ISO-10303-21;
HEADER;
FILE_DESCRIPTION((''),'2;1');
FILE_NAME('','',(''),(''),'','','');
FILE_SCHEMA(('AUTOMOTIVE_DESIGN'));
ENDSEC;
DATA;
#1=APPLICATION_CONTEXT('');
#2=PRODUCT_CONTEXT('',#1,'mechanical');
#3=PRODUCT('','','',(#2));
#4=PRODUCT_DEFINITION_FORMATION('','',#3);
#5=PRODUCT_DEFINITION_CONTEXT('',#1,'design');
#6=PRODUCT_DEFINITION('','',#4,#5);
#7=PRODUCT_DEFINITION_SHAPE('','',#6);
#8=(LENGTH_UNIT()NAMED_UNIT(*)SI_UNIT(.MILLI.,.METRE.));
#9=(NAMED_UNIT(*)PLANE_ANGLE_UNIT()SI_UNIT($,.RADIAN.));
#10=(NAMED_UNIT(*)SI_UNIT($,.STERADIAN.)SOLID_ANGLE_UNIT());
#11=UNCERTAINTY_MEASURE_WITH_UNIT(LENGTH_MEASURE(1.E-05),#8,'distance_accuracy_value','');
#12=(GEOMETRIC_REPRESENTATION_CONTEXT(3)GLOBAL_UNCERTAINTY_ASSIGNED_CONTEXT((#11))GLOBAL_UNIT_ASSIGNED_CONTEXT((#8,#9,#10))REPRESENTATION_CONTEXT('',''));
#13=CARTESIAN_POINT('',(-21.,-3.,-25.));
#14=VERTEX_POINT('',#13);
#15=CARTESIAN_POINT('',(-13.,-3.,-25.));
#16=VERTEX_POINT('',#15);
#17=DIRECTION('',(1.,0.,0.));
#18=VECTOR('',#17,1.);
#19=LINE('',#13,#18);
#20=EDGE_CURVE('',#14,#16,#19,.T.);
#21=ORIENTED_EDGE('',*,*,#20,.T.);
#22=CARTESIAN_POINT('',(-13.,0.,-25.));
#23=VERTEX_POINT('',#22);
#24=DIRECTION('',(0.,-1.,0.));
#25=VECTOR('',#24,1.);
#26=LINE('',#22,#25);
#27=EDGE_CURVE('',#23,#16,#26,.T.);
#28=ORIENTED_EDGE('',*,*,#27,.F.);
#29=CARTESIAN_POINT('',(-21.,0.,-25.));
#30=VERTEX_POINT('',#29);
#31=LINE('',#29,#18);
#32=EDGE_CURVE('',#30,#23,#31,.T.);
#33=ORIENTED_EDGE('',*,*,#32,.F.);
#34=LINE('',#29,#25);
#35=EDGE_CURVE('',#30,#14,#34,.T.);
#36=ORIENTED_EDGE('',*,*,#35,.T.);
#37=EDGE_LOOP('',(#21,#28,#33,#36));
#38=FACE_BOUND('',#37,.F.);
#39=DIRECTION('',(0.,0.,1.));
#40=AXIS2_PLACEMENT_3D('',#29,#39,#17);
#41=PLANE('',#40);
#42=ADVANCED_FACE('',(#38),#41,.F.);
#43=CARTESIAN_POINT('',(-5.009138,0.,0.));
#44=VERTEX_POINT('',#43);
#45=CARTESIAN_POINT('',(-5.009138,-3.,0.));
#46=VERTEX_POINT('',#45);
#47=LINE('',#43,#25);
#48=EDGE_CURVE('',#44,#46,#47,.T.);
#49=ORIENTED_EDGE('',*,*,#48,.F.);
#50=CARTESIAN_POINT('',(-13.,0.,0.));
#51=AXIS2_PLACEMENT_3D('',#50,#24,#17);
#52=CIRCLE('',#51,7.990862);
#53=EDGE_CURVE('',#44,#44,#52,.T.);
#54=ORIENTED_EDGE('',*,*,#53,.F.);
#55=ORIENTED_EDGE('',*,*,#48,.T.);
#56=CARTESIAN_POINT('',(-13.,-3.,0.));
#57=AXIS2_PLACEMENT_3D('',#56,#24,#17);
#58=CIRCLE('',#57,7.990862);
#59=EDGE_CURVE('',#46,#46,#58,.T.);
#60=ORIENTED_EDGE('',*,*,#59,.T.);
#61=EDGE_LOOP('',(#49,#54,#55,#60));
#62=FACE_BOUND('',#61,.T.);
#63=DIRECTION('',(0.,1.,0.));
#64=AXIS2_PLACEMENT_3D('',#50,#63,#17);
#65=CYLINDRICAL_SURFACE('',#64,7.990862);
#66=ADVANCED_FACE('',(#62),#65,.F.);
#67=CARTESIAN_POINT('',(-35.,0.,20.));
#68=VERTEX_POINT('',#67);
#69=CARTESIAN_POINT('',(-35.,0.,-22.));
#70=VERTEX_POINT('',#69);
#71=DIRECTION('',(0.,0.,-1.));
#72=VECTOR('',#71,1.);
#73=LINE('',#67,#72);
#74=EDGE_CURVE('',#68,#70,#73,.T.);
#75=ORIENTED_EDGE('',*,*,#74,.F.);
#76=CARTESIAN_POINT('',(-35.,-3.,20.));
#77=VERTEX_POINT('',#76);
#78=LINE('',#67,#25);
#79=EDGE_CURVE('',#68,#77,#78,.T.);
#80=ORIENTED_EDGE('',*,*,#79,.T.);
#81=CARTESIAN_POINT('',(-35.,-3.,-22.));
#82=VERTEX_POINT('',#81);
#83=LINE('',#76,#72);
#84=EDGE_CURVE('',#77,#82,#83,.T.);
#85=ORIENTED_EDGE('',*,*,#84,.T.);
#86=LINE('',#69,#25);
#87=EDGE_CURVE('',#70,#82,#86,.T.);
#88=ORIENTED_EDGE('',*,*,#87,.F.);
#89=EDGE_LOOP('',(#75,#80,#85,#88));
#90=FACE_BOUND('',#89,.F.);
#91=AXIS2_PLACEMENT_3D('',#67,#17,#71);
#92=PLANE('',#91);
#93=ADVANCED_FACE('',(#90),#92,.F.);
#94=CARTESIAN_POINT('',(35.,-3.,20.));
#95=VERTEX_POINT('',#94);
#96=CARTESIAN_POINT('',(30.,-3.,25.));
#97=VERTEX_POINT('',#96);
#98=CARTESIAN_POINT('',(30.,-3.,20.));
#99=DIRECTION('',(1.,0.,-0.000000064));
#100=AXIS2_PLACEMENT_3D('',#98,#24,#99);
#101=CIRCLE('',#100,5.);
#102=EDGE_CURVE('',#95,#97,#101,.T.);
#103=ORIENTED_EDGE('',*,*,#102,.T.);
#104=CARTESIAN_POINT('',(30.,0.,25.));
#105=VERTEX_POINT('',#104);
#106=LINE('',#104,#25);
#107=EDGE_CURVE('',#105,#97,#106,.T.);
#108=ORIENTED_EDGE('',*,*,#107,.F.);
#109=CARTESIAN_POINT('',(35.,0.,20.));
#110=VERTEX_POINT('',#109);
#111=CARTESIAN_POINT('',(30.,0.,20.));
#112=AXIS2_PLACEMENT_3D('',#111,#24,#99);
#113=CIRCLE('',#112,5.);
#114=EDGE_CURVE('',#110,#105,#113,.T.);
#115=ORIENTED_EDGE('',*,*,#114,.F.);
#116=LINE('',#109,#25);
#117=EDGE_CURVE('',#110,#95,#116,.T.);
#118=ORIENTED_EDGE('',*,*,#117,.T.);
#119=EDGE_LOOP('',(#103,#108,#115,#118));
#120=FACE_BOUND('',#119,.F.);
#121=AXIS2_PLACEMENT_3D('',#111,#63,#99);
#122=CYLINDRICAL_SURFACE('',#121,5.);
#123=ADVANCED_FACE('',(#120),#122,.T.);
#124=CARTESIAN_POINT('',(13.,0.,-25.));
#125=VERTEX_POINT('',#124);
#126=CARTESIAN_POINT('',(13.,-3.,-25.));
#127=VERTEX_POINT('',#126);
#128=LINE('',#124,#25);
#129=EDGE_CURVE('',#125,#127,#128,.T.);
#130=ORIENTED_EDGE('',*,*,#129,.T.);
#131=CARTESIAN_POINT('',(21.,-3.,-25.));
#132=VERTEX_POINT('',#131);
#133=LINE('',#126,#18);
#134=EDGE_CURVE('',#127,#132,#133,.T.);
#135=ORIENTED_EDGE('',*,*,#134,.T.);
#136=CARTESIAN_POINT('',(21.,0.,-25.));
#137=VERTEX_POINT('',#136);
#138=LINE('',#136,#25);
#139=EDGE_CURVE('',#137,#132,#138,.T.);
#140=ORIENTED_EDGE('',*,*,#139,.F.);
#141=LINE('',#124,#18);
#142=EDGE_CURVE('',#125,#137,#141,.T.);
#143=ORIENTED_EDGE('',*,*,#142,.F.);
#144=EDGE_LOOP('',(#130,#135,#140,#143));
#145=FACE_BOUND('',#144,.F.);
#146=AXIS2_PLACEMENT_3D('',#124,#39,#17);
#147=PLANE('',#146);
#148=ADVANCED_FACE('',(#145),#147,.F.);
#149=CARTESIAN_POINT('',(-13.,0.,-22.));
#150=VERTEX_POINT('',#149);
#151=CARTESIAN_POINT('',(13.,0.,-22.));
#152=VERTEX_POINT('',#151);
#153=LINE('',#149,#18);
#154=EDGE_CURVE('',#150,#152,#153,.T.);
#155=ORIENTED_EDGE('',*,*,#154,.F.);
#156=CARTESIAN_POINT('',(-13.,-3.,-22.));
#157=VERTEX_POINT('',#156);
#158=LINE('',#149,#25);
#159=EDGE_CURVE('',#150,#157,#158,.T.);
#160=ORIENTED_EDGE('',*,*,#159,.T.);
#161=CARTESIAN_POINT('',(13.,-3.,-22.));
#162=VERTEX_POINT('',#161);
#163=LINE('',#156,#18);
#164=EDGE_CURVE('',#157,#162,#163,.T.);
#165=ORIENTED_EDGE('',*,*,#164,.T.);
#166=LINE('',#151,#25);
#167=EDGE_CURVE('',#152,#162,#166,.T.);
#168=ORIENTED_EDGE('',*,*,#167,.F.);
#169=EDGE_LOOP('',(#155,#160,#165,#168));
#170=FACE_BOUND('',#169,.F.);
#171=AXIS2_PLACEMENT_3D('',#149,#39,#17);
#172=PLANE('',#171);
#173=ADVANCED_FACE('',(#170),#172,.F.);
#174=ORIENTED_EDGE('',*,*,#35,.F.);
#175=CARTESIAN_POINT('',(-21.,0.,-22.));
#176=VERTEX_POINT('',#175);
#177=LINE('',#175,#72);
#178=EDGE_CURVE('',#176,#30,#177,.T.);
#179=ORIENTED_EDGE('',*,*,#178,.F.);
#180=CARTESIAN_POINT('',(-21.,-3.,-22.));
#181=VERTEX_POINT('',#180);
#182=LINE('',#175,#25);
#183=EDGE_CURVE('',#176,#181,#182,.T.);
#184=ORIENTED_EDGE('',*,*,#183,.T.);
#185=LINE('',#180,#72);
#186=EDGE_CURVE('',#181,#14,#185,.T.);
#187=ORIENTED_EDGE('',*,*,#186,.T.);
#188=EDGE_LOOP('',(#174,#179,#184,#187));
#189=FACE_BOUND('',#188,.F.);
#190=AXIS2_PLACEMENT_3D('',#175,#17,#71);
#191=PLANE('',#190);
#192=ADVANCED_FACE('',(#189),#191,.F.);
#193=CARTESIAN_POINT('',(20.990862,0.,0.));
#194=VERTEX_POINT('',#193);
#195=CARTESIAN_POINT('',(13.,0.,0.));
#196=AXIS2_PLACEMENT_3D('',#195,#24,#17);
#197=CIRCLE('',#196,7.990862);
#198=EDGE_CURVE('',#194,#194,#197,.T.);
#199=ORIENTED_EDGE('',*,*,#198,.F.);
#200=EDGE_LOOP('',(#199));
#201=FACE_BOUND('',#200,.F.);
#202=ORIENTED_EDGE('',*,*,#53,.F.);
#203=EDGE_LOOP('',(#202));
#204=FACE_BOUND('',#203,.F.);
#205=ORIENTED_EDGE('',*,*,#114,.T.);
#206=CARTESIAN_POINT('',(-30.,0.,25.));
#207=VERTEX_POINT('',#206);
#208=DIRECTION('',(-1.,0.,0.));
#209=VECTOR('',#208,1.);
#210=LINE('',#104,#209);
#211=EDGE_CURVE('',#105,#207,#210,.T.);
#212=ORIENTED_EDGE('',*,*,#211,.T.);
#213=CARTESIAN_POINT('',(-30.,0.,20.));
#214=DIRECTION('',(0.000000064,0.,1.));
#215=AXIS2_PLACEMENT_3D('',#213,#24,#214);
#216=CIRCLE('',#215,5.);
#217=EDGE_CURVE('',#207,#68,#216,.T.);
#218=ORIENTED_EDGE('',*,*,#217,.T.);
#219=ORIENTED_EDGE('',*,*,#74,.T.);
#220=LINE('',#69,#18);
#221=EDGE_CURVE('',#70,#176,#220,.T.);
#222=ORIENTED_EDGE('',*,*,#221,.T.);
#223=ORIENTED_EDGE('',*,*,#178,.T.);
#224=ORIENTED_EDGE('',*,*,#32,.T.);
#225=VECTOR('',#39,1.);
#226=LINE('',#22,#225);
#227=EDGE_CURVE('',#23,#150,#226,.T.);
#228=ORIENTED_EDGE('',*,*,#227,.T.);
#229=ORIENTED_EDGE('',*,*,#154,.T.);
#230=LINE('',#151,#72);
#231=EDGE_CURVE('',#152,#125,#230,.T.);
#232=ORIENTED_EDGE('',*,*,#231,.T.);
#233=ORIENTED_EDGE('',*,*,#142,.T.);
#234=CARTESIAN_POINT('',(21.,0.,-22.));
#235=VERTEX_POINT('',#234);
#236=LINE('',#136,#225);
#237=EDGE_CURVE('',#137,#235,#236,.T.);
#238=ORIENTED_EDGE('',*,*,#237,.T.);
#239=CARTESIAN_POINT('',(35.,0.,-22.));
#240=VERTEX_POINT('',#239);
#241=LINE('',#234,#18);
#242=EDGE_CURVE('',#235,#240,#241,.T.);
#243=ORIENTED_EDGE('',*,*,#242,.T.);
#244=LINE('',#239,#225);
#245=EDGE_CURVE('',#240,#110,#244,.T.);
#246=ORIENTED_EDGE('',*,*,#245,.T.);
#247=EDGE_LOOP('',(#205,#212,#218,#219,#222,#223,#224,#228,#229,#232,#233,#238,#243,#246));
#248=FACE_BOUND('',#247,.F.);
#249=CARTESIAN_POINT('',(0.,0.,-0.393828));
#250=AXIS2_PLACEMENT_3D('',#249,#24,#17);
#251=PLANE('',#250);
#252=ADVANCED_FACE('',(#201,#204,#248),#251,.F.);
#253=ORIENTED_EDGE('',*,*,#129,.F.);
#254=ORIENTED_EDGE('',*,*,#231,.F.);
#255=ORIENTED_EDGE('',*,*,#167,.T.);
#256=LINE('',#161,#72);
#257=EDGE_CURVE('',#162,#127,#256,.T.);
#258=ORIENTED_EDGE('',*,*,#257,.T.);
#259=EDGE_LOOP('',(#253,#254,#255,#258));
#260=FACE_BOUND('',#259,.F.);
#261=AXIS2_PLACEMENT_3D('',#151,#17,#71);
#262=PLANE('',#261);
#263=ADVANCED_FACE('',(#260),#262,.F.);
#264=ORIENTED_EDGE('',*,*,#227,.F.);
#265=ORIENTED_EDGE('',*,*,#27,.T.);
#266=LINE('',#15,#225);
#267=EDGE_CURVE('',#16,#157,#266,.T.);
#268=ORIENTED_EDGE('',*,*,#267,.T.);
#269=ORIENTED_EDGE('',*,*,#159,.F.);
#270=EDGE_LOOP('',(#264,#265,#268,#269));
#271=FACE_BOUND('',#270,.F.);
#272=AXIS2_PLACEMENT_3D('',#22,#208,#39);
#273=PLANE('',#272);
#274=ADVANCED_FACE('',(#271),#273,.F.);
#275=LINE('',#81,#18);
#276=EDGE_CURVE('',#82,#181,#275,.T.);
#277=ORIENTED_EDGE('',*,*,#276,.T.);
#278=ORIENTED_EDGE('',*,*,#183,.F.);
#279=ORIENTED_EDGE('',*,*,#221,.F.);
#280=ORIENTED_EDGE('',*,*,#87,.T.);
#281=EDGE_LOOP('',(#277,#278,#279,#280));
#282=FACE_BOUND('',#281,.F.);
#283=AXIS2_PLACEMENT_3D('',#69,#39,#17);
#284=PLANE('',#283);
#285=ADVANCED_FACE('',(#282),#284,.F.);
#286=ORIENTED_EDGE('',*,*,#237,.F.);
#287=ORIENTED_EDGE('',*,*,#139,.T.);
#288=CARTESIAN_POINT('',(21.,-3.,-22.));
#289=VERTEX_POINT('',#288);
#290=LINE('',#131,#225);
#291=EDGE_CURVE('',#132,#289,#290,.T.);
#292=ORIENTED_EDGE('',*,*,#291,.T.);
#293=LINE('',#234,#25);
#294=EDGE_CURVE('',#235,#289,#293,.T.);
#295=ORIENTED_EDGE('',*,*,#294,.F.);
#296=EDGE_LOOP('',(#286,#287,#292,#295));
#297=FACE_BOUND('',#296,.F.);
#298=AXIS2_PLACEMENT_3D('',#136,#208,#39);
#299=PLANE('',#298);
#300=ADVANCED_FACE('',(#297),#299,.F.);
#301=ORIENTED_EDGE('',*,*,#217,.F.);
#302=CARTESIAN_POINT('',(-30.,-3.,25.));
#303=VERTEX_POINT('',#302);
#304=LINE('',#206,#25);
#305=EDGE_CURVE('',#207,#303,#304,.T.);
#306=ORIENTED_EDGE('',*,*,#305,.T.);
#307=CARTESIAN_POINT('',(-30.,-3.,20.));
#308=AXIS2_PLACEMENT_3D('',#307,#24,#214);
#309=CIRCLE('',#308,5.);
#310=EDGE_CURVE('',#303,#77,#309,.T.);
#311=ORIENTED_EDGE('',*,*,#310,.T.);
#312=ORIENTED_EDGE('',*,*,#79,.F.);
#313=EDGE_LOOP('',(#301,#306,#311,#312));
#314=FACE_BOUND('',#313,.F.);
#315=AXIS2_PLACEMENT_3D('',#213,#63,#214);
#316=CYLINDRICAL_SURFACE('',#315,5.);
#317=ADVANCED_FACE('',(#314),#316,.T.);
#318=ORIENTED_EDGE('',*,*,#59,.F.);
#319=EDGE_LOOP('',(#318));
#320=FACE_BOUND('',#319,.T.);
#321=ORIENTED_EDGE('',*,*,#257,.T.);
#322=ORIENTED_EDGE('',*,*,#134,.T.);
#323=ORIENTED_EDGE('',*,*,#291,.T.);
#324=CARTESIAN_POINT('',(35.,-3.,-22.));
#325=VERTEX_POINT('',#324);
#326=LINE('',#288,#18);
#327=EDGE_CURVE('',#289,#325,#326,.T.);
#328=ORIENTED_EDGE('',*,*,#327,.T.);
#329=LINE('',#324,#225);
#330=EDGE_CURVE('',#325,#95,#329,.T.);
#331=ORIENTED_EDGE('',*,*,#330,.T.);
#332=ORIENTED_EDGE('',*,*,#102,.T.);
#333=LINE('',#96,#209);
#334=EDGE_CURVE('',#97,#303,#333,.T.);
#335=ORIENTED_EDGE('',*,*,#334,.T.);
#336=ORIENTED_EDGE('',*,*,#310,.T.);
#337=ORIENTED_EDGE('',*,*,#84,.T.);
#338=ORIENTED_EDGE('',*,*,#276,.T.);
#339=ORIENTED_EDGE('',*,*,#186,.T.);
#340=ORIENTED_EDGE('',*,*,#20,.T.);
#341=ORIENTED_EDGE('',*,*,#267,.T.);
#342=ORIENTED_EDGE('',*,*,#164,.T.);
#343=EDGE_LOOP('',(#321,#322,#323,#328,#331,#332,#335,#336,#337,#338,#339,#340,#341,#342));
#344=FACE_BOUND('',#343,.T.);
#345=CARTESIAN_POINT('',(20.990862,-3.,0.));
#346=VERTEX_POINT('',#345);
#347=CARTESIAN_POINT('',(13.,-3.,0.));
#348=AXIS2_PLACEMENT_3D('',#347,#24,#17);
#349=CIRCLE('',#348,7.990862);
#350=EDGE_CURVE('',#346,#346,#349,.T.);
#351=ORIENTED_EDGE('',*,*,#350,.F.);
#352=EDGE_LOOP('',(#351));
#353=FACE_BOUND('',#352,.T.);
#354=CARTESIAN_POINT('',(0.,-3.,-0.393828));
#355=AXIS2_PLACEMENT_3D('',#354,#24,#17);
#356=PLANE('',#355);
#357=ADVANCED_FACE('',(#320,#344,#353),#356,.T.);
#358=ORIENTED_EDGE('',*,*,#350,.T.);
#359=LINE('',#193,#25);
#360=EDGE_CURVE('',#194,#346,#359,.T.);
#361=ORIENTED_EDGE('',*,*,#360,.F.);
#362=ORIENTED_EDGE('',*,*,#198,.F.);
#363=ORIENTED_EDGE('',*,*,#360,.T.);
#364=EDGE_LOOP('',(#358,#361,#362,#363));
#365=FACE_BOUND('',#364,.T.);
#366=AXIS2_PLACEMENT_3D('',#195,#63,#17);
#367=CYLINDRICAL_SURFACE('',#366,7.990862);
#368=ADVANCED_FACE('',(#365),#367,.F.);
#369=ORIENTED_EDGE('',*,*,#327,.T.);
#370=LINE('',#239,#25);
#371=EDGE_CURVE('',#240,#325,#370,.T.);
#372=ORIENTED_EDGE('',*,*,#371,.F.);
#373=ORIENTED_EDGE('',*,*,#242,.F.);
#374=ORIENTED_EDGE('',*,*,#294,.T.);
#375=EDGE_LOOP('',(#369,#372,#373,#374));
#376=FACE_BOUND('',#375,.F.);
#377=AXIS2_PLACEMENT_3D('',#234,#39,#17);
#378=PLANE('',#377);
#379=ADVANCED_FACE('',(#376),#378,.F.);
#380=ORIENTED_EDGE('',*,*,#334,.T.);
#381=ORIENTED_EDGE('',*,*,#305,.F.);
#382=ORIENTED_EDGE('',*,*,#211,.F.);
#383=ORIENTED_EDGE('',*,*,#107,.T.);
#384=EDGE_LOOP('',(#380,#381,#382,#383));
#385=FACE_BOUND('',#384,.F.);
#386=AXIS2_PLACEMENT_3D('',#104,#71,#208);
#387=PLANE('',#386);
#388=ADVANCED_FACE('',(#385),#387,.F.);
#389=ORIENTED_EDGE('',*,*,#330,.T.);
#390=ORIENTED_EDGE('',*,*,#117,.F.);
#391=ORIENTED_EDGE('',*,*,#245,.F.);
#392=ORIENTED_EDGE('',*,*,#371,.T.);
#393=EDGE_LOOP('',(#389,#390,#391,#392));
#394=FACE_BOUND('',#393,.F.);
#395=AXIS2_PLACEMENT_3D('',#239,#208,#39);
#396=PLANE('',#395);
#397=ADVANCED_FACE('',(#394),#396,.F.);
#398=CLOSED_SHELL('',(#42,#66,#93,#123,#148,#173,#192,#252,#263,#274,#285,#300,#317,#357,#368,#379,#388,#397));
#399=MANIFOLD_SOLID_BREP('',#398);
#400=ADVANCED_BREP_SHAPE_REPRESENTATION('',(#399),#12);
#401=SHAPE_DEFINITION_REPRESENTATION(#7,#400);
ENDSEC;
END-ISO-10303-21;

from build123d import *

# Parameters (mm, degrees)
F0_R     = 7.990862
F1_DEPTH = 3


with BuildPart() as f1:
    # F0 (on Front) → F1 (new body)
    with BuildSketch(Plane.XZ):
        with BuildLine():
            Line((30, 25), (-30, 25))
            ThreePointArc((-30, 25), (-33.535534, 23.535534), (-35, 20))
            Line((-35, 20), (-35, -22))
            Line((-35, -22), (-21, -22))
            Line((-21, -22), (-21, -25))
            Line((-21, -25), (-13, -25))
            Line((-13, -25), (-13, -22))
            Line((-13, -22), (13, -22))
            Line((13, -22), (13, -25))
            Line((13, -25), (21, -25))
            Line((21, -25), (21, -22))
            Line((21, -22), (35, -22))
            Line((35, -22), (35, 20))
            ThreePointArc((35, 20), (33.535534, 23.535534), (30, 25))
        make_face()
        with Locations((-13, 0)):
            Circle(F0_R, mode=Mode.SUBTRACT)
        with Locations((13, 0)):
            Circle(F0_R, mode=Mode.SUBTRACT)
    extrude(amount=F1_DEPTH)


solid = f1.part
